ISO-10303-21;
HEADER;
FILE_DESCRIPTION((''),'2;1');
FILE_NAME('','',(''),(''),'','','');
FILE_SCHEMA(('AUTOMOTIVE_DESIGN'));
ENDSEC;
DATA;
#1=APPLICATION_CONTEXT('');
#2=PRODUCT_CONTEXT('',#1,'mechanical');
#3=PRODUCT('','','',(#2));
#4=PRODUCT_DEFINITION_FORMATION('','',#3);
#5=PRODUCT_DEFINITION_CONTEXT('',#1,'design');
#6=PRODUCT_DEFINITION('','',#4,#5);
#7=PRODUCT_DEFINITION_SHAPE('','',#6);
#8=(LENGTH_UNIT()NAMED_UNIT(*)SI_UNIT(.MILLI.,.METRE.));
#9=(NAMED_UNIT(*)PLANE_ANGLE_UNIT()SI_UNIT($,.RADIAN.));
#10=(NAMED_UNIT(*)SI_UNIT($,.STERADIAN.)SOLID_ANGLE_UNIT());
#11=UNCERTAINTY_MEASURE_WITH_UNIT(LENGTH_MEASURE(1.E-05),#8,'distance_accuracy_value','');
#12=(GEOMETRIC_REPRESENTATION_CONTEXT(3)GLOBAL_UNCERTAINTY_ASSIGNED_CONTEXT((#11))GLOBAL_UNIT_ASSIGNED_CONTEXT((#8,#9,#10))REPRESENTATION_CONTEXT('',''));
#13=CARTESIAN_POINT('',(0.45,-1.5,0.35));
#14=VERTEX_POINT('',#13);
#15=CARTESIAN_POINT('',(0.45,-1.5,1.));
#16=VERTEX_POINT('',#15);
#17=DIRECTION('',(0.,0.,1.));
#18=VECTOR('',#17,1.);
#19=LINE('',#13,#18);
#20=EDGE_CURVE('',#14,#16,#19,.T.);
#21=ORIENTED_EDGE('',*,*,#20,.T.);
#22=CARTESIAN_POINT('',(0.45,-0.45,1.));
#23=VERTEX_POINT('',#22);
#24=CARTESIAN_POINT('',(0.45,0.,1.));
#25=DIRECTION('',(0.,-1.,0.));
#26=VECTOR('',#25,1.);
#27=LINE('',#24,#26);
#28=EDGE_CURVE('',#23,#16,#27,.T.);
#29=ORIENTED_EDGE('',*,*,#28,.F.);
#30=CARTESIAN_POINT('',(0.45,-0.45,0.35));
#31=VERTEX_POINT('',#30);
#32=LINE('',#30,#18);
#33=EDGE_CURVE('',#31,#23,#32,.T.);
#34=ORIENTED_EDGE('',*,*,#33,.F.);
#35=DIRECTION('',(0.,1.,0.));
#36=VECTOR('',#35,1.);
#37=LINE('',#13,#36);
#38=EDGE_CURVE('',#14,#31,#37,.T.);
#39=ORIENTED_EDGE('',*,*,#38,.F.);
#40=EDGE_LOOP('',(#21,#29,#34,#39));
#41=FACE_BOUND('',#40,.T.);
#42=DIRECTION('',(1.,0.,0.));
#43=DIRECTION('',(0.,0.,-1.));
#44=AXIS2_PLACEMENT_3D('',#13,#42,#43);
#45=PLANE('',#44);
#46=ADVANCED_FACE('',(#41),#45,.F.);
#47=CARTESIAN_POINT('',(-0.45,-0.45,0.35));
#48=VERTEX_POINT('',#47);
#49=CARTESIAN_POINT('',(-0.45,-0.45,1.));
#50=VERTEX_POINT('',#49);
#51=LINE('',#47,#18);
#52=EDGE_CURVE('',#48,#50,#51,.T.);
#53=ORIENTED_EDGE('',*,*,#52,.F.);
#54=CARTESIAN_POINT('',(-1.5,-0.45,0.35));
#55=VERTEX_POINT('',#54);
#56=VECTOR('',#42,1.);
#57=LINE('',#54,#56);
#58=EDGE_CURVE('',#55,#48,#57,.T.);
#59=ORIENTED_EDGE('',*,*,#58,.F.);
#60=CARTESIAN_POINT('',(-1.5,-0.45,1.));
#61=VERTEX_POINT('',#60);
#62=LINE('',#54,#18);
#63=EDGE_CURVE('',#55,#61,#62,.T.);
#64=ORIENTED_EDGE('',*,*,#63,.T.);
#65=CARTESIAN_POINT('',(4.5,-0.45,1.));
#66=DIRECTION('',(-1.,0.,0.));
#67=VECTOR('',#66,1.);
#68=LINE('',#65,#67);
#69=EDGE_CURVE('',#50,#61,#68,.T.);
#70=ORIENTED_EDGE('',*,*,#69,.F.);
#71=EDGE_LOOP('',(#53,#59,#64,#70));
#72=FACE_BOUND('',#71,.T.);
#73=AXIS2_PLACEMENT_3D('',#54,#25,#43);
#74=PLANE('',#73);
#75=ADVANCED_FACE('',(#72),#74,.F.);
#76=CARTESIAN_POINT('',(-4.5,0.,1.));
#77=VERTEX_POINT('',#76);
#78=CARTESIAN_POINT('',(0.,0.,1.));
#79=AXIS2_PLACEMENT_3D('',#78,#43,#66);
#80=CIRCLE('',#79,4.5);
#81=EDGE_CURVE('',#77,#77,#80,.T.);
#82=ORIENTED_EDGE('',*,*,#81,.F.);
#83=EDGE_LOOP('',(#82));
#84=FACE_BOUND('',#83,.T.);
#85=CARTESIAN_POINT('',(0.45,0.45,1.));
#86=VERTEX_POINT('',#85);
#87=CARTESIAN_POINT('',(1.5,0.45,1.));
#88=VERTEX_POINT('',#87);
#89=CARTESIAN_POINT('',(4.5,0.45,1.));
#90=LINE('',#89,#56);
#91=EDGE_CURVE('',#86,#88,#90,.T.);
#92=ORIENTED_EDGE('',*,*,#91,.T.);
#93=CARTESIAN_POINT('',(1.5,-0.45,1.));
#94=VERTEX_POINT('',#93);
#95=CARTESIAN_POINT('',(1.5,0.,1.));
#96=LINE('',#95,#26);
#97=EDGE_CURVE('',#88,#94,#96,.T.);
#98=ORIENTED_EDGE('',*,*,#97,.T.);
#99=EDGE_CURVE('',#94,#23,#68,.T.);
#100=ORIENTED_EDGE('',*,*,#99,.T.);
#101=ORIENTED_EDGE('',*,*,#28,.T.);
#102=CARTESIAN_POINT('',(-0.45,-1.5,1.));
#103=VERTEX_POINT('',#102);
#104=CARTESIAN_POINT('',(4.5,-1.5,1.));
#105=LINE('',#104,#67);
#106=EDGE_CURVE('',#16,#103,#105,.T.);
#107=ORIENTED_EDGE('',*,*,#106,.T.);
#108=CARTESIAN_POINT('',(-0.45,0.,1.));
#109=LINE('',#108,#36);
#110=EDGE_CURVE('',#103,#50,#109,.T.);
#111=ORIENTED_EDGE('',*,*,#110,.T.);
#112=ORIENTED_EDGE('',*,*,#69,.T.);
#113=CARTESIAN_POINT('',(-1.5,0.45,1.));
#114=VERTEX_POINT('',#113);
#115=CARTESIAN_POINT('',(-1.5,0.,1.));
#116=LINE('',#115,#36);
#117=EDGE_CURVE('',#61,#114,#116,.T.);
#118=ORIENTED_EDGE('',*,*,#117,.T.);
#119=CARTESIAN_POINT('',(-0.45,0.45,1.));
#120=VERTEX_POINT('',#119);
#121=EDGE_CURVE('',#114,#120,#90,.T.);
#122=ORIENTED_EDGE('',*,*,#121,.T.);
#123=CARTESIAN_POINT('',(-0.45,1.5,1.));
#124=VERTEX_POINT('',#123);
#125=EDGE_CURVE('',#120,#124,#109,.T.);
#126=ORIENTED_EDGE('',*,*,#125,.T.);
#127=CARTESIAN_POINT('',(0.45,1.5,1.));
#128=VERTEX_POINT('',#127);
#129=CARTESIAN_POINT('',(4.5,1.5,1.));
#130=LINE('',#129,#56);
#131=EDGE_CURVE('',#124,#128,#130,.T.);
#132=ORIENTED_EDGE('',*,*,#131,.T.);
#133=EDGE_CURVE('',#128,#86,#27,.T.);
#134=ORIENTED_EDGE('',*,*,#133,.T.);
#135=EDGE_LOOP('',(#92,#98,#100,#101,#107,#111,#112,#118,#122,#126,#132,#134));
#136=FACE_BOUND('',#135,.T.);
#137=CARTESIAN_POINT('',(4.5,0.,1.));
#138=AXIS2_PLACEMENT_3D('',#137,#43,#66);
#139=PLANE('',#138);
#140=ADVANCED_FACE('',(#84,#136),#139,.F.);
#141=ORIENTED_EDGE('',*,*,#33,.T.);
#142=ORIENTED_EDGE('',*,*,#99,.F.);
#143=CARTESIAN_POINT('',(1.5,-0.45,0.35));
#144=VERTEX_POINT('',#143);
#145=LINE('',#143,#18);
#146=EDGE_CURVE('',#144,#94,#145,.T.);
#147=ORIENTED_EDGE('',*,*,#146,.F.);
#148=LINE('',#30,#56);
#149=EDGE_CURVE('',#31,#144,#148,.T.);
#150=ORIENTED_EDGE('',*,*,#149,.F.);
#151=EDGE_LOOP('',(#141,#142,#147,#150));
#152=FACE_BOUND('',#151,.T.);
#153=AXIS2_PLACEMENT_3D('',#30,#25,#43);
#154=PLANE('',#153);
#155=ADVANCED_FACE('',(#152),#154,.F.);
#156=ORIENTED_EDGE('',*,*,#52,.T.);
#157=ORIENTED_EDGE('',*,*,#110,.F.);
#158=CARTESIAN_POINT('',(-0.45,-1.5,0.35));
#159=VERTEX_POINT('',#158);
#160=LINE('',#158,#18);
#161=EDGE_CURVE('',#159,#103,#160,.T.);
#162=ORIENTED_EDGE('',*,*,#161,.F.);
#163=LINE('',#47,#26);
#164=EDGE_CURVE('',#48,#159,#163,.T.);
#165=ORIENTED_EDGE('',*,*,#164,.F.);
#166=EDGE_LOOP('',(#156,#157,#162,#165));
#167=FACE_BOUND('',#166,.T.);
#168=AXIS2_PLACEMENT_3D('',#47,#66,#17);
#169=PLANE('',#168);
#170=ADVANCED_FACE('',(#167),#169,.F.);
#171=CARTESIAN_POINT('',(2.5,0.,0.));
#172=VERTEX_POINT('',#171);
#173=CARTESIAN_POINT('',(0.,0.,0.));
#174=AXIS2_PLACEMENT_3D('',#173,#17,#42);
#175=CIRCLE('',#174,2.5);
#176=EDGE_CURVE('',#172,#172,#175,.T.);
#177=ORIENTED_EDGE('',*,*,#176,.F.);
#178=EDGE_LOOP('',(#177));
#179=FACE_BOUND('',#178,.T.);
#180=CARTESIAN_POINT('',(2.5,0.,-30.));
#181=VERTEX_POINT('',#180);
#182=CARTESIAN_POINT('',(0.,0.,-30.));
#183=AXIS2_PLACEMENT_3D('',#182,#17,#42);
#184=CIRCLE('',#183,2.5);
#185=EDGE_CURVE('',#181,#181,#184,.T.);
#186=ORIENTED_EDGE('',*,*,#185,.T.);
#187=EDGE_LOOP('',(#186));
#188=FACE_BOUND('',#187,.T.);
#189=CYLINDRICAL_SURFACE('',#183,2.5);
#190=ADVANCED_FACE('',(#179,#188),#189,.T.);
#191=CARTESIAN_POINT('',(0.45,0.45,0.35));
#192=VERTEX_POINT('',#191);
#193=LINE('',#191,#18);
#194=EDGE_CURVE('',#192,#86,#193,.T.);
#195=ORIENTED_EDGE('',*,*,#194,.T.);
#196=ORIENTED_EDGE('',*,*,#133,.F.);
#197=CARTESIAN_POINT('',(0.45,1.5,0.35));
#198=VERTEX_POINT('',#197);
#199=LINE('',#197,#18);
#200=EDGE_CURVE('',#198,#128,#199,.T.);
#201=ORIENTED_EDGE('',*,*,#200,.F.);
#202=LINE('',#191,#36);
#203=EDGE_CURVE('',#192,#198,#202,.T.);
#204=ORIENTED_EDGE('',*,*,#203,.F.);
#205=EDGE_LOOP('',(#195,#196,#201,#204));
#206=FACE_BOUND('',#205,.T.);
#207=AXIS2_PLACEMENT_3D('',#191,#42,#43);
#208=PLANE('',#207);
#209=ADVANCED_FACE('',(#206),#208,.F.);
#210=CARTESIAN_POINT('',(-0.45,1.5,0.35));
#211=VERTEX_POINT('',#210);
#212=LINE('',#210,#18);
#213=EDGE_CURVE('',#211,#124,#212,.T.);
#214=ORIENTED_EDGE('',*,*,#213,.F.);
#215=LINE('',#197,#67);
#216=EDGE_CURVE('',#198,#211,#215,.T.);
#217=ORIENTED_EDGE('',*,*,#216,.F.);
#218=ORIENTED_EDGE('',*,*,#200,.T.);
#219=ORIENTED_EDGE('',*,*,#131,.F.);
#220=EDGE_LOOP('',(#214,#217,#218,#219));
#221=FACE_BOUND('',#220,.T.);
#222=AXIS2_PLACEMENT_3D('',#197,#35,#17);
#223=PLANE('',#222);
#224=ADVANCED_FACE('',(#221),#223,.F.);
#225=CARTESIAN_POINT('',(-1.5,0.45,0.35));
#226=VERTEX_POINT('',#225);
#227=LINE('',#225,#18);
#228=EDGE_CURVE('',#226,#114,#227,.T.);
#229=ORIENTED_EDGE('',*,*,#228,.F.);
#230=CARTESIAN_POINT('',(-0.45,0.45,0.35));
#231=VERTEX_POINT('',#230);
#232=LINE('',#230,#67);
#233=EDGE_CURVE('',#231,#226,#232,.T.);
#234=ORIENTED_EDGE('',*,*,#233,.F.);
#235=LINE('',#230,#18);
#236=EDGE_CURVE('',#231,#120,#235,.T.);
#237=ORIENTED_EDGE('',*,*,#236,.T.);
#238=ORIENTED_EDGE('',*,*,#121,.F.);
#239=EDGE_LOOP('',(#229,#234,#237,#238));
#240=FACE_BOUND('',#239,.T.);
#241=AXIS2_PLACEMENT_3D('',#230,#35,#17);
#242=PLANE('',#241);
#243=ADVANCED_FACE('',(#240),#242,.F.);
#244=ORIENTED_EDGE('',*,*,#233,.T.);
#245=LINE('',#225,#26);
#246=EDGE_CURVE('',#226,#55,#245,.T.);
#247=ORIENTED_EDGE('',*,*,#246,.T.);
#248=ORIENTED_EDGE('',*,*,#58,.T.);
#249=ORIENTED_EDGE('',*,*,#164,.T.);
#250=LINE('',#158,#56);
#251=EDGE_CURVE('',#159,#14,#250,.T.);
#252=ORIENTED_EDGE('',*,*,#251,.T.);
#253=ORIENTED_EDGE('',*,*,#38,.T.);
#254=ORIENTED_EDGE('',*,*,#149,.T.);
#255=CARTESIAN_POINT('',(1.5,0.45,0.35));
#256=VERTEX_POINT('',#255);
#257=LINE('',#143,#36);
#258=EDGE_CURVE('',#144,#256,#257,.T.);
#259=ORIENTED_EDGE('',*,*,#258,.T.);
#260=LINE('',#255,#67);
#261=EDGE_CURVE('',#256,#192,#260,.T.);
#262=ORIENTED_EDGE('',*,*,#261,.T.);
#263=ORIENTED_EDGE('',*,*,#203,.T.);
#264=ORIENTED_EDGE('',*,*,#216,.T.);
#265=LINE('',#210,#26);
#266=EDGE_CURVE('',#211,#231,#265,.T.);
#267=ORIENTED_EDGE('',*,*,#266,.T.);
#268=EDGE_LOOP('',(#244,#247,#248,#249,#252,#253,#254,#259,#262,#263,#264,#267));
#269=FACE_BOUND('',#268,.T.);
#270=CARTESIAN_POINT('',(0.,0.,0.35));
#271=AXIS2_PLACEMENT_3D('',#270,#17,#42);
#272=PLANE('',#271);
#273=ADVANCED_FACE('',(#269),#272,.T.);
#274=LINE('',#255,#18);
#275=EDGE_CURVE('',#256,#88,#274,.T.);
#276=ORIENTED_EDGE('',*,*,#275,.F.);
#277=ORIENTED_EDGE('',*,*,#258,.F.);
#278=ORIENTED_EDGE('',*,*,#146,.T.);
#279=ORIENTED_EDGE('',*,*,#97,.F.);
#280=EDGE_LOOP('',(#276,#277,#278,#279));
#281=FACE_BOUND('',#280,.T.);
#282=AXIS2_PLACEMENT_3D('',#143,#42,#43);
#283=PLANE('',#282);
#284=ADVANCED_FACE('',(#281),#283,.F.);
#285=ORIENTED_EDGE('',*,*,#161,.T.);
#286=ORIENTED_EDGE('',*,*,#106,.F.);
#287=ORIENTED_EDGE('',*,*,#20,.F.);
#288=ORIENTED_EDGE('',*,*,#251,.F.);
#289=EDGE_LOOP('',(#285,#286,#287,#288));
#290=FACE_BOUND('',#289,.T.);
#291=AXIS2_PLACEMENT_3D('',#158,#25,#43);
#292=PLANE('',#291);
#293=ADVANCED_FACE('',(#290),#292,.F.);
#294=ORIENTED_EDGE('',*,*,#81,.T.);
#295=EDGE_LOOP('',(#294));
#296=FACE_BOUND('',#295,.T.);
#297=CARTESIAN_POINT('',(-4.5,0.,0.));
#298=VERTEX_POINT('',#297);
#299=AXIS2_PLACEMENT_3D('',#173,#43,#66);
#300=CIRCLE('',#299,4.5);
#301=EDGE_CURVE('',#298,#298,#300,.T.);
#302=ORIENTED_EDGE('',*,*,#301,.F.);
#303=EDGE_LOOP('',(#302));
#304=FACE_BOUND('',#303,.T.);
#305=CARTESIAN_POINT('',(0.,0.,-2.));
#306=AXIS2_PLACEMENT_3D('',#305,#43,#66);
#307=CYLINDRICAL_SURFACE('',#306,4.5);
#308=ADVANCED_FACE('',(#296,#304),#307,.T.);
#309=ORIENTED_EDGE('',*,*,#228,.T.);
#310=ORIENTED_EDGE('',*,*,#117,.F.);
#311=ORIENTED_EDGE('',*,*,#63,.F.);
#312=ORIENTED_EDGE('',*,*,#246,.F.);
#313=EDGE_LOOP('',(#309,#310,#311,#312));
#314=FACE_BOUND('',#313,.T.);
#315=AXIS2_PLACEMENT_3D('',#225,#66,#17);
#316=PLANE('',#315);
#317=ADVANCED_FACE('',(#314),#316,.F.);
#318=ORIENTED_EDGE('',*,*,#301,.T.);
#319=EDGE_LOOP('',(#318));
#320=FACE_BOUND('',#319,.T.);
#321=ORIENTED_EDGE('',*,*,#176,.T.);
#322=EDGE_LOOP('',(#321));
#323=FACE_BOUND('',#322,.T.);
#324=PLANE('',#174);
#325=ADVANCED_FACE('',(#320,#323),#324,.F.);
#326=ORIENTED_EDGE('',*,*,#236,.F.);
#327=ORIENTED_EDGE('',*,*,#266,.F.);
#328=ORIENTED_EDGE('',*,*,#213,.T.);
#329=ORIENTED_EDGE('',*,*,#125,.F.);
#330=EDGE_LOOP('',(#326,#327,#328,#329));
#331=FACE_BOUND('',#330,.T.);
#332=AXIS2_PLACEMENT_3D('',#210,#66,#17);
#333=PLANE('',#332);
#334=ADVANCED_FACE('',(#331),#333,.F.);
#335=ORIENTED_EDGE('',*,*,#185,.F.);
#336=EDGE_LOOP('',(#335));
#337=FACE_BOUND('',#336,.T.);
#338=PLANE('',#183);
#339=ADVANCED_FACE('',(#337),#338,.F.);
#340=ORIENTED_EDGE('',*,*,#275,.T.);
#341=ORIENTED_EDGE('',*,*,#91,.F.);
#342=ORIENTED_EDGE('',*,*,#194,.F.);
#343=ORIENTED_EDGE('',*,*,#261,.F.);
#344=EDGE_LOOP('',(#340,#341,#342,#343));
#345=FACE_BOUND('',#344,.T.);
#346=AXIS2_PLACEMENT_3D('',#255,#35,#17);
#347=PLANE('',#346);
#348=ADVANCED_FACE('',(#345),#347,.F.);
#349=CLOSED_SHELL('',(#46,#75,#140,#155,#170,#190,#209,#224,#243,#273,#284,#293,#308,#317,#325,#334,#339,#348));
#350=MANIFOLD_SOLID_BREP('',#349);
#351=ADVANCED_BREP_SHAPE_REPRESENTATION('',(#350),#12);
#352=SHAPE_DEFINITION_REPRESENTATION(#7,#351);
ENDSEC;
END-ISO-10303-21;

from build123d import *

# Parameters (mm, degrees)
SKETCH_1_R        = 2.5
EXTRUDE_198_DEPTH = 30
SKETCH_6_W        = 4.5
SKETCH_6_H        = 1
PH2_START         = 1.01
PH2_DEPTH         = 0.66


with BuildPart() as part:
    # 草图1 → Extrude 198 (new body)
    with BuildSketch(Plane.XY):
        Circle(SKETCH_1_R)
    extrude(amount=-EXTRUDE_198_DEPTH)

    # 草图6 → Revolve 324 (revolve)
    with BuildSketch(Plane(origin=(0, 0, 0), x_dir=(1, 0, 0), z_dir=(0, 1, 0)), mode=Mode.PRIVATE) as revolve_324_sk:
        with Locations((2.25, -0.5)):
            Rectangle(SKETCH_6_W, SKETCH_6_H)
    revolve(revolve_324_sk.sketch.rotate(Axis((0, 0, -2), (0, 0, 1)), 180), axis=Axis((0, 0, -2), (0, 0, 1)))

    # 草图7 → 十字槽_PH2_简化 (cut)
    with BuildSketch(Plane.XY.offset(PH2_START)):
        Polygon((-0.45, -1.5), (0.45, -1.5), (0.45, -0.45), (1.5, -0.45), (1.5, 0.45), (0.45, 0.45), (0.45, 1.5), (-0.45, 1.5), (-0.45, 0.45), (-1.5, 0.45), (-1.5, -0.45), (-0.45, -0.45), align=None)
    extrude(amount=-PH2_DEPTH, mode=Mode.SUBTRACT)


solid = part.part
